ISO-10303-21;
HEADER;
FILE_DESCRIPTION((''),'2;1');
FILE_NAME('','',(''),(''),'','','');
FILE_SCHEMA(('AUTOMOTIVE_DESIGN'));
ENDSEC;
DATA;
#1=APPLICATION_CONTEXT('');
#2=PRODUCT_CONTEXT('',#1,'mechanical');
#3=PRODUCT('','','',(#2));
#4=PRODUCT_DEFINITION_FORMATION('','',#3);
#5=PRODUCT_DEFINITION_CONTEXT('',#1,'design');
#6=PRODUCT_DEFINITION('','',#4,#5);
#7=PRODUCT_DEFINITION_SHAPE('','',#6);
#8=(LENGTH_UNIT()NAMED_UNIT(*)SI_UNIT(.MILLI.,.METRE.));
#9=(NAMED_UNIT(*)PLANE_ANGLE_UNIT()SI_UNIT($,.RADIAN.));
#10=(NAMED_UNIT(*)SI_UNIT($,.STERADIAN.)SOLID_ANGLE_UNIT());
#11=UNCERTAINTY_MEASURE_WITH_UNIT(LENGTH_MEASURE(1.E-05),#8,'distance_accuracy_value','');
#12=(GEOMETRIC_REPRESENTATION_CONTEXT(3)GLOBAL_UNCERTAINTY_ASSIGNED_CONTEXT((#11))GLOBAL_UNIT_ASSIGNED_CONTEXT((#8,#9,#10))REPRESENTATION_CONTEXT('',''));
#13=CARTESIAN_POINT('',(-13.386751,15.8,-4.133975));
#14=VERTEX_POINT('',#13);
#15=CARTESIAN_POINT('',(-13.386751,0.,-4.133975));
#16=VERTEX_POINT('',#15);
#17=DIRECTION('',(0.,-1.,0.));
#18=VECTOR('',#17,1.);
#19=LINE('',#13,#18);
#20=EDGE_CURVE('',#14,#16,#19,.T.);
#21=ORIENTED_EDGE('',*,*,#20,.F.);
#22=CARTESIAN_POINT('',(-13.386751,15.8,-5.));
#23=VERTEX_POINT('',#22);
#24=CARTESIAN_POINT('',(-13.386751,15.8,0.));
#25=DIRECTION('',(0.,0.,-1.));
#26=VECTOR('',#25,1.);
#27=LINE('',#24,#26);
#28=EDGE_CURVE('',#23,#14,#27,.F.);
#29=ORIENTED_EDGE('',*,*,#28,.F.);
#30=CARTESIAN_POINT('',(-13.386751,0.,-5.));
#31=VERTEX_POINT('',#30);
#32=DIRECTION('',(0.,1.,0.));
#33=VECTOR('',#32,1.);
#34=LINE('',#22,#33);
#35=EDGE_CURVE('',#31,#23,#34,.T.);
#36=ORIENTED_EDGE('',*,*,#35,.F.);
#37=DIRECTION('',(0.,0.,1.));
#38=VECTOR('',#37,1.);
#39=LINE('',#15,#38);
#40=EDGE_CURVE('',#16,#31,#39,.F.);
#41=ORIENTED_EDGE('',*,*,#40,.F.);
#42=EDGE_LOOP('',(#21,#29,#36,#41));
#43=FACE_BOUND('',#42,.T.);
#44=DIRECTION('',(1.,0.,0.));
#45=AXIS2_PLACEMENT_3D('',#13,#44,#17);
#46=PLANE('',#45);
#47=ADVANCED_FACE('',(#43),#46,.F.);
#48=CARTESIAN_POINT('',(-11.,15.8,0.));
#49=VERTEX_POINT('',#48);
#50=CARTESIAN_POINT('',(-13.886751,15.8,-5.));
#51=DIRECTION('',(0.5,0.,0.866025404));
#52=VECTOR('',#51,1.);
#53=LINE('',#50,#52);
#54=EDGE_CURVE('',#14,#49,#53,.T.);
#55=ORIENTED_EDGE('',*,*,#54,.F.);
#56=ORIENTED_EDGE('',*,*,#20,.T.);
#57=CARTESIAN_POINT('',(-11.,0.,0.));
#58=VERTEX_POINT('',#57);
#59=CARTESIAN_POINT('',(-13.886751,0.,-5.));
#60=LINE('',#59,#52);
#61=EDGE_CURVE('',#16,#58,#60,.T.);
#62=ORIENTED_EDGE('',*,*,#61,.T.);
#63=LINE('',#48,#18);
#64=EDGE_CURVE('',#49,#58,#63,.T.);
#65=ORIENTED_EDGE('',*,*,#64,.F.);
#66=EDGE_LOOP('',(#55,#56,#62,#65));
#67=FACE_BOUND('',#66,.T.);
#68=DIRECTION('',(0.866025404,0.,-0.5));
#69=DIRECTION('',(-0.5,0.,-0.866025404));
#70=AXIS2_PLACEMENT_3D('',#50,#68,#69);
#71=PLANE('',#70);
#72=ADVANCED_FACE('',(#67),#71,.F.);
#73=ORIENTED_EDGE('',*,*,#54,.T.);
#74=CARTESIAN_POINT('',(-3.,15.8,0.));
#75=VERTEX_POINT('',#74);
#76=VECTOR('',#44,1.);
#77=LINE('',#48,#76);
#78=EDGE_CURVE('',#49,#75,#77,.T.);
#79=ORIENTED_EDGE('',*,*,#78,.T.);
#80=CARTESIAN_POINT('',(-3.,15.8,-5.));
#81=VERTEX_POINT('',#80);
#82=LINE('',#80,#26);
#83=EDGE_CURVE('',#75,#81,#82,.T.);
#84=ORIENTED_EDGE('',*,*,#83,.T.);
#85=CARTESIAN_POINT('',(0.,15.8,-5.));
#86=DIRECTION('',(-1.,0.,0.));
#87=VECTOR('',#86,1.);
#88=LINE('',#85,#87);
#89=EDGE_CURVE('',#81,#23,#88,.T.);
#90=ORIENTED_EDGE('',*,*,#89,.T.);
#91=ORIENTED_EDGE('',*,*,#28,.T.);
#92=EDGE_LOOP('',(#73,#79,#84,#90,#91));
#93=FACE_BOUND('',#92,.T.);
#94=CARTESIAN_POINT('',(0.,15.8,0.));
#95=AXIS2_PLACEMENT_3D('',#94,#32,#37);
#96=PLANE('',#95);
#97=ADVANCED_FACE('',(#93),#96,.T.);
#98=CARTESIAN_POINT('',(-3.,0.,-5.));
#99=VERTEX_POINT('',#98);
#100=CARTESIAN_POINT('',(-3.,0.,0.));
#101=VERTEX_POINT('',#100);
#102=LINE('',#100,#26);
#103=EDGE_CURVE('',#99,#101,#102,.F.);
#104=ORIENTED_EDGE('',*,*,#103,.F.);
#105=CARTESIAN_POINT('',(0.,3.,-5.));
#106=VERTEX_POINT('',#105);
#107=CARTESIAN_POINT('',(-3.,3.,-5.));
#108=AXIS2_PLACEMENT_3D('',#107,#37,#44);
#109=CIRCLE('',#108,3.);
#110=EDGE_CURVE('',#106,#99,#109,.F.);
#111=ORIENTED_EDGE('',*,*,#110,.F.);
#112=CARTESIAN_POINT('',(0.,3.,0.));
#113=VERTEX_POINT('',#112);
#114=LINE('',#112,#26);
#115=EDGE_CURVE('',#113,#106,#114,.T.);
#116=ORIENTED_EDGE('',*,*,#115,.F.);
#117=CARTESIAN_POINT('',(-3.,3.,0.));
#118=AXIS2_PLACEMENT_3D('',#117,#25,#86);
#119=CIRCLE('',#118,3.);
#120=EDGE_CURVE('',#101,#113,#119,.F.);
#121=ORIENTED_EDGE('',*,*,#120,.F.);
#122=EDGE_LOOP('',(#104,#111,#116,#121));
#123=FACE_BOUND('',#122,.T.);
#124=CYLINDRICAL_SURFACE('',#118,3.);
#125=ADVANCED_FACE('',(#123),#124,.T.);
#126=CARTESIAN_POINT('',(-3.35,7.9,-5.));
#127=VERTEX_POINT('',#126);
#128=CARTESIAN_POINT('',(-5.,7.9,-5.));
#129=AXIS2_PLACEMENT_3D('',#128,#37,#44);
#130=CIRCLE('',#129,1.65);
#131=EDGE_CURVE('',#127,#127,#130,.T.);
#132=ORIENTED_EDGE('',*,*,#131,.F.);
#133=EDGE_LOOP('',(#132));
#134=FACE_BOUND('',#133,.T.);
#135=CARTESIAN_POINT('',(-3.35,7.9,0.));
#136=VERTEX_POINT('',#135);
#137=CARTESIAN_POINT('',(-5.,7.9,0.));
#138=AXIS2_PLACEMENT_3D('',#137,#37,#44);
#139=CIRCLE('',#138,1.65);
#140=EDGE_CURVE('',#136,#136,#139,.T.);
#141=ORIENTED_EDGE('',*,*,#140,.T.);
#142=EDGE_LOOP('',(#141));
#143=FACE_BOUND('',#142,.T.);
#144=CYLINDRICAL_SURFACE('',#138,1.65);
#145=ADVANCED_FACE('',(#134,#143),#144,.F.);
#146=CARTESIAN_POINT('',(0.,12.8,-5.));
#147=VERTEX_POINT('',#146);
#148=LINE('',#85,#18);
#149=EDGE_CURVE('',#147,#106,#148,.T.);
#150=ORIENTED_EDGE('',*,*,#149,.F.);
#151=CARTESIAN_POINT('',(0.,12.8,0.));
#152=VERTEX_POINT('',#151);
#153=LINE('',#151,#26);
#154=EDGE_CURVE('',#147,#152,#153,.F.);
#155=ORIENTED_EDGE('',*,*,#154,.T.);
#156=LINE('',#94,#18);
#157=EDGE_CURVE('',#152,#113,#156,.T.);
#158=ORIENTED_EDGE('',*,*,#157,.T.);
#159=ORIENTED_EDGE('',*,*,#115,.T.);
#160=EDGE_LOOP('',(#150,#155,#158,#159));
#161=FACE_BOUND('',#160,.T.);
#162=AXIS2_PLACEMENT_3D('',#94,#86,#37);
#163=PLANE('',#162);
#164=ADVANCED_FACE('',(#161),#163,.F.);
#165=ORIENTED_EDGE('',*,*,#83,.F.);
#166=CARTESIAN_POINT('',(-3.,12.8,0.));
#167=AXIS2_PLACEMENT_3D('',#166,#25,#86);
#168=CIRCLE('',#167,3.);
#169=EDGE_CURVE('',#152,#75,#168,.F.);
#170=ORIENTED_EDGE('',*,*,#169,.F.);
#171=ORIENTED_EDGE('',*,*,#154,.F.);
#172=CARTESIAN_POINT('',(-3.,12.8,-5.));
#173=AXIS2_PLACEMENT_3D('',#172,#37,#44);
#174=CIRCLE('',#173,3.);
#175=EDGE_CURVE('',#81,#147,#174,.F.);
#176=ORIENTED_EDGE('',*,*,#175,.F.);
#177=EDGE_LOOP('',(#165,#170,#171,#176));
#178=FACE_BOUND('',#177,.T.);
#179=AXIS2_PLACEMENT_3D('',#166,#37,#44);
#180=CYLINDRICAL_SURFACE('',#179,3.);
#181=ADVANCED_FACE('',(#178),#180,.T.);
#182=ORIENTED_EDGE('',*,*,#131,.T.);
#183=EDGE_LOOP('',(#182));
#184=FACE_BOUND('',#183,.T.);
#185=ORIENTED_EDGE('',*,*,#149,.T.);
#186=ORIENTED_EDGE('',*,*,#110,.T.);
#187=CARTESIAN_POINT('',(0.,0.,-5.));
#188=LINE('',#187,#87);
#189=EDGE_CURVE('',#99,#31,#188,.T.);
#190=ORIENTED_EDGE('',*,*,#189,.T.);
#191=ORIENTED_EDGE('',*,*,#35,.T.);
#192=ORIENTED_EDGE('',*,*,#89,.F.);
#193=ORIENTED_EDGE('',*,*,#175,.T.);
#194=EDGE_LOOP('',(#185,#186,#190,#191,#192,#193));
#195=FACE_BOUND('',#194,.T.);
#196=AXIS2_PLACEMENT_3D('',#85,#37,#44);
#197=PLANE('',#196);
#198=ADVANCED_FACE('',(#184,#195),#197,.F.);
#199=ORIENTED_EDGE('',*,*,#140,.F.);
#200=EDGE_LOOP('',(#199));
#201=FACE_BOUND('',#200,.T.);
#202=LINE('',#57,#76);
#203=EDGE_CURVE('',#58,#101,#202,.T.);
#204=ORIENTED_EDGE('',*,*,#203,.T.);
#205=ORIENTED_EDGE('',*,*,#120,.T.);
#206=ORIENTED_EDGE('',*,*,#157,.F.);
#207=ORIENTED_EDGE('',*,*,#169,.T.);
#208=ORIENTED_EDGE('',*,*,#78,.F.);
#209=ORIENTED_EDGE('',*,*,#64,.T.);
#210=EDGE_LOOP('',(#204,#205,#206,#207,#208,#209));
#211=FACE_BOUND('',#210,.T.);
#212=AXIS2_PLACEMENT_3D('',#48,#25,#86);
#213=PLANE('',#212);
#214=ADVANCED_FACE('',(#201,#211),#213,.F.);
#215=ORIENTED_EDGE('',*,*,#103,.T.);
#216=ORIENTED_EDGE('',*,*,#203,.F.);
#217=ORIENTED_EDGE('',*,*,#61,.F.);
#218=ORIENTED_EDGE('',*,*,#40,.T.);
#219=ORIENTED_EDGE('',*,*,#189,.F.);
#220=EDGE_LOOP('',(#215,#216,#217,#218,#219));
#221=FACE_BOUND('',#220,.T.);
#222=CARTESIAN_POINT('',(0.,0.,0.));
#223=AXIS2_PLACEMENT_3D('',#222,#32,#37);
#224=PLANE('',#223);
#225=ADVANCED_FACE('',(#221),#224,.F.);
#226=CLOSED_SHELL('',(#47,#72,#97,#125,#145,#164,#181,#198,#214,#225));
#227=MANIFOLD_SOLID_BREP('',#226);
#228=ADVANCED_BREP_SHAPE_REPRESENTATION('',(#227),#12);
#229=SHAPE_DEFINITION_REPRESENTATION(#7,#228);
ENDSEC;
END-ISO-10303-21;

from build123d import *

# Parameters (mm, degrees)
EXTRUDE_1_DEPTH = 15.8
FILLET_1_R      = 3
M4X0_71_D       = 3.3
CHAMFER_1_SIZE  = 0.5
CHAMFER_1_SIZE2 = 1


with BuildPart() as part:
    # Эскиз1 → Бобышка-Вытянуть1 (new body)
    with BuildSketch(Plane(origin=(0, 0, 0), x_dir=(1, 0, 0), z_dir=(0, 1, 0))):
        Polygon((0, 0), (0, 5), (-13.886751346, 5), (-11, 0), align=None)
    extrude(amount=EXTRUDE_1_DEPTH)

    # Скругление1
    fillet_1_edges = [part.edges().sort_by_distance(p)[0] for p in [
        (0, 0, -2.5),
        (0, 15.8, -2.5),
    ]]
    fillet(fillet_1_edges, radius=FILLET_1_R)

    # Отверстие обработанное метчиком M4x0.71 (through all)
    with Locations(Plane.XY):
        with Locations((-5, 7.9)):
            Hole(M4X0_71_D / 2)

    # Фаска1
    chamfer_1_edges = [part.edges().sort_by_distance(p)[0] for p in [
        (-13.886751346, 7.9, -5),
    ]]
    chamfer_1_side = [part.faces().sort_by_distance(p)[0] for p in [
        (-7.140744189, 7.9, -5),
    ]]
    chamfer(chamfer_1_edges, length=CHAMFER_1_SIZE, length2=CHAMFER_1_SIZE2, reference=chamfer_1_side[0])


solid = part.part
